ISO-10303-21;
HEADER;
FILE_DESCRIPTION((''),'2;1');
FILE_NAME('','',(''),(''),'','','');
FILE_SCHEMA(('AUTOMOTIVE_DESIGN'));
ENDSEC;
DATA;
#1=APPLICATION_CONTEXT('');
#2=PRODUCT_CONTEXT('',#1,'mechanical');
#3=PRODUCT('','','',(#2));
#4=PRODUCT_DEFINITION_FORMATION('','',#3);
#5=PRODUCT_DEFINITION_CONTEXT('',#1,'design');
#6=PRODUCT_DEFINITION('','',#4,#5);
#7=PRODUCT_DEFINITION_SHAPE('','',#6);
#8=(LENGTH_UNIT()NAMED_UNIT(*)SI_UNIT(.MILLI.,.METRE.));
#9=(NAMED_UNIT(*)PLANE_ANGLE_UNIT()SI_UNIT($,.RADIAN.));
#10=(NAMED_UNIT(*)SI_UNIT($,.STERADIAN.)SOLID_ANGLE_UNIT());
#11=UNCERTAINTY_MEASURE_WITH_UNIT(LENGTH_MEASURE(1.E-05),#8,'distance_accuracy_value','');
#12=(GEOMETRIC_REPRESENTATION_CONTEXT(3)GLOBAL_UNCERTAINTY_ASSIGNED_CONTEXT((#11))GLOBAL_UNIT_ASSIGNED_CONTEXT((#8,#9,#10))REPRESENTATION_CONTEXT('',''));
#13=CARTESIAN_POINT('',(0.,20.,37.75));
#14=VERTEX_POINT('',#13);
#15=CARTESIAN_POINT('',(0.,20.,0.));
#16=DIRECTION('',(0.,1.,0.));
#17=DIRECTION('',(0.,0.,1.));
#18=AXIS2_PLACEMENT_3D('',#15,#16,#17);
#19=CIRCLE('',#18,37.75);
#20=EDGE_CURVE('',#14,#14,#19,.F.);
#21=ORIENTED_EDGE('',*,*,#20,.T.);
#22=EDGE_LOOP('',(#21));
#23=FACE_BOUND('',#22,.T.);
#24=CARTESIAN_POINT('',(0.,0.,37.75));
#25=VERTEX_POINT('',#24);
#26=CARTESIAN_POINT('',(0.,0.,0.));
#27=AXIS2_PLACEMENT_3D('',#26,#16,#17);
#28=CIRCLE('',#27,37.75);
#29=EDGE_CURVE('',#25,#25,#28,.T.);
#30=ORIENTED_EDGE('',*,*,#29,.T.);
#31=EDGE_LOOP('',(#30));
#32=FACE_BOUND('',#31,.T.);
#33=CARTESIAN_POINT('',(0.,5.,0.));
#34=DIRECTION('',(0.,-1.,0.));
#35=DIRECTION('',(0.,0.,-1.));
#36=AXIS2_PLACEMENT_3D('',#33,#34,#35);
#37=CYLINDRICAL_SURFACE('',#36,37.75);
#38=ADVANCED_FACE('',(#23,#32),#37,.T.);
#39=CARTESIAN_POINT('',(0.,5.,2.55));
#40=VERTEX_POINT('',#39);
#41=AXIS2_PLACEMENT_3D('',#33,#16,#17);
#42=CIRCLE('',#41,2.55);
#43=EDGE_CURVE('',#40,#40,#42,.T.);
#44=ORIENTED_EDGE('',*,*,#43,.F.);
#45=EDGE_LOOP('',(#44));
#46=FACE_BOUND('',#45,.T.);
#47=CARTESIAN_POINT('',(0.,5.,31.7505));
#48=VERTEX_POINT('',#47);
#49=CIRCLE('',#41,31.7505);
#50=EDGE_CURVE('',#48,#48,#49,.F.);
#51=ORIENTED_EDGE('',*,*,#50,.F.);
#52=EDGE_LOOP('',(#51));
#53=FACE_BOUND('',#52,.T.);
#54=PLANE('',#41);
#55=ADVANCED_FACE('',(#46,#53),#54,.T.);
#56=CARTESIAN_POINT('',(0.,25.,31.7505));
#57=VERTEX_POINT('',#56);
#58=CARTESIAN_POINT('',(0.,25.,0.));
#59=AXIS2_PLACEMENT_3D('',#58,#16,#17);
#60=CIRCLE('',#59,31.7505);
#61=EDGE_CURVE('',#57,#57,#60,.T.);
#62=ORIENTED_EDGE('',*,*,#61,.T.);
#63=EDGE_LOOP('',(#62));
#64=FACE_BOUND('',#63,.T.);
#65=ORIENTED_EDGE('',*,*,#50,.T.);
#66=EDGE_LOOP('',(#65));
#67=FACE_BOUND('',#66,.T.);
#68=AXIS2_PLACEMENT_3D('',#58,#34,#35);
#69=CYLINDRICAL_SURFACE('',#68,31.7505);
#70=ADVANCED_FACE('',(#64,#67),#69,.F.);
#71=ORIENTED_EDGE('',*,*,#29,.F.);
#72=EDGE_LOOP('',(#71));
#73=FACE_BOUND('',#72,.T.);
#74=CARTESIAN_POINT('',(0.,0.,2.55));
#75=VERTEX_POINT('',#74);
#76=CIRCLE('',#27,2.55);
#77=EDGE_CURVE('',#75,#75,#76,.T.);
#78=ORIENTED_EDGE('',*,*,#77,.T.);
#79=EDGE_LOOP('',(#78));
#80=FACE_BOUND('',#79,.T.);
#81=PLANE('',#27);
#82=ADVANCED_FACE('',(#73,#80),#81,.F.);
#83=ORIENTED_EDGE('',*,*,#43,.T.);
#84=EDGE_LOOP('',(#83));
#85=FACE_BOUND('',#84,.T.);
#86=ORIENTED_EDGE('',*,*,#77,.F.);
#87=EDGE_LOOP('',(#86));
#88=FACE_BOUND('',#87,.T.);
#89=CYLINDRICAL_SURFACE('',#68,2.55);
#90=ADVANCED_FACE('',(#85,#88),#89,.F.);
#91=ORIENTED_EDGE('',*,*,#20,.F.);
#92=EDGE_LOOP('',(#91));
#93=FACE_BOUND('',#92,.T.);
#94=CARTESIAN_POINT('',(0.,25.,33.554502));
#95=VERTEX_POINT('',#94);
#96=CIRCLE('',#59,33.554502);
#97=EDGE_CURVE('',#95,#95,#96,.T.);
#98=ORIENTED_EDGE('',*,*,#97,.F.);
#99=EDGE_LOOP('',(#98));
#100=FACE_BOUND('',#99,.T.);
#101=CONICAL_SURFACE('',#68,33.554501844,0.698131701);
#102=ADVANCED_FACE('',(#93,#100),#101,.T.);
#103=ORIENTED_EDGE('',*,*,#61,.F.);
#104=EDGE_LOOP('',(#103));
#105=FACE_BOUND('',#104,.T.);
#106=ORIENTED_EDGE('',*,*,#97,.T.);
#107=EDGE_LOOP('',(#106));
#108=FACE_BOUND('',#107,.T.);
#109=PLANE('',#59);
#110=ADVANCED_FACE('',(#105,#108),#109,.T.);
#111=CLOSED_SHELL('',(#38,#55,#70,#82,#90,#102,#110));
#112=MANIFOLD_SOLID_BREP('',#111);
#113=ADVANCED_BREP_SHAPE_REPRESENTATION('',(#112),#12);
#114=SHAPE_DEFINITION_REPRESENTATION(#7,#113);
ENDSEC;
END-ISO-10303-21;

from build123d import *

# Parameters (mm, degrees)
SKETCH1_R               = 37.75
BOSS_EXTRUDE1_DEPTH     = 5
SKETCH2_R               = 37.75
SKETCH2_R_2             = 31.7505
BOSS_EXTRUDE2_DEPTH     = 20
CHAMFER1_SIZE           = 5
CHAMFER1_SIZE2          = 4.195498156
SKETCH3_R               = 2.55
CUT_EXTRUDE1_DEPTH      = 1
CUT_EXTRUDE1_DEPTH_BACK = 26


with BuildPart() as part:
    # Sketch1 → Boss-Extrude1 (new body)
    with BuildSketch(Plane(origin=(0, 0, 0), x_dir=(1, 0, 0), z_dir=(0, 1, 0))):
        Circle(SKETCH1_R)
    extrude(amount=BOSS_EXTRUDE1_DEPTH)

    # Sketch2 → Boss-Extrude2 (add)
    with BuildSketch(Plane(origin=(0, 5, 0), x_dir=(1, 0, 0), z_dir=(0, 1, 0))):
        Circle(SKETCH2_R)
        Circle(SKETCH2_R_2, mode=Mode.SUBTRACT)
    extrude(amount=BOSS_EXTRUDE2_DEPTH)

    # Chamfer1
    chamfer1_edges = [part.edges().sort_by_distance(p)[0] for p in [
        (-37.75, 25, 0),
    ]]
    chamfer1_side = [part.faces().sort_by_distance(p)[0] for p in [
        (-37.75, 12.5, 0),
    ]]
    chamfer(chamfer1_edges, length=CHAMFER1_SIZE, length2=CHAMFER1_SIZE2, reference=chamfer1_side[0])

    # Sketch3 → Cut-Extrude1 (cut, two sides)
    with BuildSketch(Plane.XZ) as cut_extrude1_sk:
        Circle(SKETCH3_R)
    extrude(amount=CUT_EXTRUDE1_DEPTH, mode=Mode.SUBTRACT)
    extrude(cut_extrude1_sk.sketch, amount=-CUT_EXTRUDE1_DEPTH_BACK, mode=Mode.SUBTRACT)


solid = part.part
